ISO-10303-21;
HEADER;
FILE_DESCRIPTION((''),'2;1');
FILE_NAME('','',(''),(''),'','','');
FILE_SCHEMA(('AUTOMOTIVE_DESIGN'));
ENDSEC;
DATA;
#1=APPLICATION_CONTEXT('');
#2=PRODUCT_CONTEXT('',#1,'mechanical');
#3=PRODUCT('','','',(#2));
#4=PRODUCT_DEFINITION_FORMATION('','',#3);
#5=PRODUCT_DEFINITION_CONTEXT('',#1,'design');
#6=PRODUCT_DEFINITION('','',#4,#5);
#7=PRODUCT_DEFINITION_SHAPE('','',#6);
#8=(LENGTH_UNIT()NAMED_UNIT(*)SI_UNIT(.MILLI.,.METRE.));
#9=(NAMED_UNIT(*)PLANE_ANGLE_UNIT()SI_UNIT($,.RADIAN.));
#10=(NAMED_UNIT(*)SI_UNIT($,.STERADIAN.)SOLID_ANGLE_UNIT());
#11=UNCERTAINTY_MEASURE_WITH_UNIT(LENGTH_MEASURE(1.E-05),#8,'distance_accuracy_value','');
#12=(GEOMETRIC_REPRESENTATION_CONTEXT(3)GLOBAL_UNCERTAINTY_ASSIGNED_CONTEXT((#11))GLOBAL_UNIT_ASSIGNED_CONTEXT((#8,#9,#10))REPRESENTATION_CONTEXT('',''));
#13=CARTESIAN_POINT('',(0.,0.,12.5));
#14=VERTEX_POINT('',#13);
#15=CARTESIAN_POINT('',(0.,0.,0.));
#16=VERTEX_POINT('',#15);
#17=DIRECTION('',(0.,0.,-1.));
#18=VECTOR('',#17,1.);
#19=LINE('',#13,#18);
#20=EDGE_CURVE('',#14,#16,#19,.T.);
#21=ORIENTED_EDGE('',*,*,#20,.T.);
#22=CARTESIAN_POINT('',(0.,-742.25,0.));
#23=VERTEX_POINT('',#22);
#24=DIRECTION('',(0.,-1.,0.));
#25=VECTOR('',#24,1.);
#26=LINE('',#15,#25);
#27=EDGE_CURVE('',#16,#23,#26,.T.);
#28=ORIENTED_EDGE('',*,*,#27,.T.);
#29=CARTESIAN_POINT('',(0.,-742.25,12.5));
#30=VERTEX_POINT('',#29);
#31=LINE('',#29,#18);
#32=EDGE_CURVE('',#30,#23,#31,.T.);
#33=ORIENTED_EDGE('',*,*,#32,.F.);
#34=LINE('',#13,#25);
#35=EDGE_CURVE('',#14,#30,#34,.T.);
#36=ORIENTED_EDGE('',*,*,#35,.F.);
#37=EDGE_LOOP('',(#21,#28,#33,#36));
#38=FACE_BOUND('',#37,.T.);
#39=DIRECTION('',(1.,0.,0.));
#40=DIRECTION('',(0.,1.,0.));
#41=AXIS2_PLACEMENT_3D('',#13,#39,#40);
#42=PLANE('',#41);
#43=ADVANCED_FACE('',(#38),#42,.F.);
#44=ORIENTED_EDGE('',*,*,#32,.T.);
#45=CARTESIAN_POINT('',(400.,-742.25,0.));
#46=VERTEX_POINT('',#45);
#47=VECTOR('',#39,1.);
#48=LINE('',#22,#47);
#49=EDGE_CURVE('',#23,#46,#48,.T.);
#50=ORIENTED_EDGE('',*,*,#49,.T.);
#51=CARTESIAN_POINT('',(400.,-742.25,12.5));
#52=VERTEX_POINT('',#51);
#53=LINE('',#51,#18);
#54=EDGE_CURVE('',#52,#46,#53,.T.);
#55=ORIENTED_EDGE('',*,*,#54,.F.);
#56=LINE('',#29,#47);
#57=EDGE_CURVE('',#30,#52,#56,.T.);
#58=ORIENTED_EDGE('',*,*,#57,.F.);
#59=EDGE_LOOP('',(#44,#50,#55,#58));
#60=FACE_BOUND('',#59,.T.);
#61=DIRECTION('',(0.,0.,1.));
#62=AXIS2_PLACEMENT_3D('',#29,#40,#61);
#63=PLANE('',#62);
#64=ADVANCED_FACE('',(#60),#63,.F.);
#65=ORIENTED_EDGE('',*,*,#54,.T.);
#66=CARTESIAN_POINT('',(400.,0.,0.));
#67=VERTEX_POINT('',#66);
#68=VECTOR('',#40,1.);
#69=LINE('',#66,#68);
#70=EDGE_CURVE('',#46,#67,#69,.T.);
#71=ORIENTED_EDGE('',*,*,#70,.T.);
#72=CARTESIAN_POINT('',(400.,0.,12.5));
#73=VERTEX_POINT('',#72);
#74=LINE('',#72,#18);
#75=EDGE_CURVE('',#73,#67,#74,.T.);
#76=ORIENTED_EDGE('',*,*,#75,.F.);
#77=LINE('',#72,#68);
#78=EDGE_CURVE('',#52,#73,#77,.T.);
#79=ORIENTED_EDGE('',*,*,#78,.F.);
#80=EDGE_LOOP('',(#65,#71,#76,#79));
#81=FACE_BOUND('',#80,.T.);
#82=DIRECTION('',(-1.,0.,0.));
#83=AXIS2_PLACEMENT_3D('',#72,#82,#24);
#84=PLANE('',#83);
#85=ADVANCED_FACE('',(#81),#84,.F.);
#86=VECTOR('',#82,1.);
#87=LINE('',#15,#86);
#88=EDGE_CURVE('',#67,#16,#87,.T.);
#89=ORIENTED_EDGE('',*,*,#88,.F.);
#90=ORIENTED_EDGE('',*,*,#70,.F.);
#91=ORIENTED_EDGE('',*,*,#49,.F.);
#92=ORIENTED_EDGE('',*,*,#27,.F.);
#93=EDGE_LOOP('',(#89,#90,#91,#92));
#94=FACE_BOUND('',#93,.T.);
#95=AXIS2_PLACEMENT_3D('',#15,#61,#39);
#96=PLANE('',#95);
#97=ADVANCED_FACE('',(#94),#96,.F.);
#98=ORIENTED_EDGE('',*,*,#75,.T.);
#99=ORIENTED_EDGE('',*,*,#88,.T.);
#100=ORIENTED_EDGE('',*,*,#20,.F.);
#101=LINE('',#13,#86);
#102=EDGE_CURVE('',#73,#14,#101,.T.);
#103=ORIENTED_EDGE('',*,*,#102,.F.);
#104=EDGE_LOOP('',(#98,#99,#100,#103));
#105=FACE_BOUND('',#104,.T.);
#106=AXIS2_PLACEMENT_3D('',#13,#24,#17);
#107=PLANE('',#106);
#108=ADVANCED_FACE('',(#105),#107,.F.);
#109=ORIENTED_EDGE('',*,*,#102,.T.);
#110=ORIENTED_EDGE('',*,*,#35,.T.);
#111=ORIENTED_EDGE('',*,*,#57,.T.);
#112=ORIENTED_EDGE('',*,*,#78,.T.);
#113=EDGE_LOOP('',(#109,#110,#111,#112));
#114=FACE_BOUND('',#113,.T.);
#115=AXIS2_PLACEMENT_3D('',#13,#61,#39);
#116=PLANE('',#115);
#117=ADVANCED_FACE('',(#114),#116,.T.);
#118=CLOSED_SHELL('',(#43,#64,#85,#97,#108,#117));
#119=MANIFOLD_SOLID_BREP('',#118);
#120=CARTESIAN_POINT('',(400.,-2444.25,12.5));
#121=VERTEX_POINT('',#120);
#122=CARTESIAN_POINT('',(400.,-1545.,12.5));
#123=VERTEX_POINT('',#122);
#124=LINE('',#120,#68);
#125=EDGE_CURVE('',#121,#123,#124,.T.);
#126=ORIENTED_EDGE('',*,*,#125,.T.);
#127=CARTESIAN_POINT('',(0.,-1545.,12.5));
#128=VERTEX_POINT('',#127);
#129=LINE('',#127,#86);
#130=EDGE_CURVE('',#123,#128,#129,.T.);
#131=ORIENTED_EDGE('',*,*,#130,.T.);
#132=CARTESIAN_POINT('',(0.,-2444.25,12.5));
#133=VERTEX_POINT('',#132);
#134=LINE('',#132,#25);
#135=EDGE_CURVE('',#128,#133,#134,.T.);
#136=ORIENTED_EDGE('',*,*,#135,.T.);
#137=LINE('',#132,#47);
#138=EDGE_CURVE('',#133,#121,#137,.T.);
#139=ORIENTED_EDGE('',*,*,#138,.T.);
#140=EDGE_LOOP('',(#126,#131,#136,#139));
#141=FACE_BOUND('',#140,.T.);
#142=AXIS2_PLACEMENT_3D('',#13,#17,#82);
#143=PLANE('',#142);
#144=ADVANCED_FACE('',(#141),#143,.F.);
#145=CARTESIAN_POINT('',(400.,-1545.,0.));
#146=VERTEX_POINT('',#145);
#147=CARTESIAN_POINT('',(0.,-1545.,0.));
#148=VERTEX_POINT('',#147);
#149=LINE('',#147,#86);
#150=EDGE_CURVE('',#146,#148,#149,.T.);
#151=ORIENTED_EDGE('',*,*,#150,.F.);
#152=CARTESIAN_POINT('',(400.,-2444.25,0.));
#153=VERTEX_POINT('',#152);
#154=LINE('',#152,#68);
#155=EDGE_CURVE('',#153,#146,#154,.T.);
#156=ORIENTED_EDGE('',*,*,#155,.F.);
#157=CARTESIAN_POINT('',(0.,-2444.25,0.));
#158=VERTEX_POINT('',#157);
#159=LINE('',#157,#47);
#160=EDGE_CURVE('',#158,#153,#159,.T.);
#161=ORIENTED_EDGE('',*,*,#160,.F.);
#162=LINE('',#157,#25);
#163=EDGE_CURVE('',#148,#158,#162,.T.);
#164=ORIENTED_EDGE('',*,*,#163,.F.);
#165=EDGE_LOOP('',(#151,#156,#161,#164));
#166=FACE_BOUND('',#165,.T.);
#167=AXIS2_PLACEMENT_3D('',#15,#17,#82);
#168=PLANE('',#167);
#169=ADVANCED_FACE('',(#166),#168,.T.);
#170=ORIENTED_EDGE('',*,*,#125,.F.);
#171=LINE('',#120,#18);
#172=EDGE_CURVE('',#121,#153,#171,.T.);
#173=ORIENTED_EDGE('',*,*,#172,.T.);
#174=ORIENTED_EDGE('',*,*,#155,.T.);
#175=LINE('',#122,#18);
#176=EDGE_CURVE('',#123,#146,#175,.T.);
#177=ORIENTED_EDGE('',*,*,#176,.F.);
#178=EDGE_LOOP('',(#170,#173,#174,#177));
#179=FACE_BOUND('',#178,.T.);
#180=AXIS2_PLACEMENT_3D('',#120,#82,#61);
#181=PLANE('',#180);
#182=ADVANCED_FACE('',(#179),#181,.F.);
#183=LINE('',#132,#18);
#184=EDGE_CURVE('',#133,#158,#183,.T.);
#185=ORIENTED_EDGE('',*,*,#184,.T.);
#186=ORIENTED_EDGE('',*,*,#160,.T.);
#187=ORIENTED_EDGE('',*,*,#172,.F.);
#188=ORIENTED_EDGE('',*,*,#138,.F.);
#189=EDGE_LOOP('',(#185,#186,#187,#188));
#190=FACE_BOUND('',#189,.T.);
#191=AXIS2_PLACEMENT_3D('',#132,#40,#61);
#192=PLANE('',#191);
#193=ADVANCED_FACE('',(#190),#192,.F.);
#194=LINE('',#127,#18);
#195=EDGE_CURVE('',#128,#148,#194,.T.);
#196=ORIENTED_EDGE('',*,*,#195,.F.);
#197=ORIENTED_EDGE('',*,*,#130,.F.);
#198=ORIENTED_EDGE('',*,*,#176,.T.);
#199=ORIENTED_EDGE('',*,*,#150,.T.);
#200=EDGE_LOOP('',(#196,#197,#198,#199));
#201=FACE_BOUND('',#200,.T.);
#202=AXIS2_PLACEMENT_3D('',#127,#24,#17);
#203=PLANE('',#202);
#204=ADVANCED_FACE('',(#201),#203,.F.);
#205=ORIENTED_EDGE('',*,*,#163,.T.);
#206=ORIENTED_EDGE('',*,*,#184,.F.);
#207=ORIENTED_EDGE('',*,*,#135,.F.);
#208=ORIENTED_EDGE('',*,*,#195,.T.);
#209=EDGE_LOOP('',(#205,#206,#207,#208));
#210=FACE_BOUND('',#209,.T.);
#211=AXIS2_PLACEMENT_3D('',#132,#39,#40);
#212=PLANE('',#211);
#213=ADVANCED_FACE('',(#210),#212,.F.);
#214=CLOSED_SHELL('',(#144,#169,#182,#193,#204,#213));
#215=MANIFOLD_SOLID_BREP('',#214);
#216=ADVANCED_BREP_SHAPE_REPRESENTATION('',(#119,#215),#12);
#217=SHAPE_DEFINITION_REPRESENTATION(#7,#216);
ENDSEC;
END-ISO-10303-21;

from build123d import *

# Parameters (mm, degrees)
SKETCH_1_W        = 400
SKETCH_1_H        = 742.25
EXTRUDE_1_DEPTH   = 12.5
SKETCH_1_H_2      = 899.25
EXTRUDE_1_2_DEPTH = 12.5


with BuildPart() as part:
    # Эскиз1 → Бобышка-Вытянуть1 (new body)
    with BuildSketch(Plane.XY):
        with Locations((200, -371.125)):
            Rectangle(SKETCH_1_W, SKETCH_1_H)
    extrude(amount=EXTRUDE_1_DEPTH)


with BuildPart() as body_2:
    # Эскиз1 → Extrude 1 2 (new body)
    with BuildSketch(Plane.XY):
        with Locations((200, -1994.625)):
            Rectangle(SKETCH_1_W, SKETCH_1_H_2)
    extrude(amount=EXTRUDE_1_2_DEPTH)


solid = Compound([part.part, body_2.part])
